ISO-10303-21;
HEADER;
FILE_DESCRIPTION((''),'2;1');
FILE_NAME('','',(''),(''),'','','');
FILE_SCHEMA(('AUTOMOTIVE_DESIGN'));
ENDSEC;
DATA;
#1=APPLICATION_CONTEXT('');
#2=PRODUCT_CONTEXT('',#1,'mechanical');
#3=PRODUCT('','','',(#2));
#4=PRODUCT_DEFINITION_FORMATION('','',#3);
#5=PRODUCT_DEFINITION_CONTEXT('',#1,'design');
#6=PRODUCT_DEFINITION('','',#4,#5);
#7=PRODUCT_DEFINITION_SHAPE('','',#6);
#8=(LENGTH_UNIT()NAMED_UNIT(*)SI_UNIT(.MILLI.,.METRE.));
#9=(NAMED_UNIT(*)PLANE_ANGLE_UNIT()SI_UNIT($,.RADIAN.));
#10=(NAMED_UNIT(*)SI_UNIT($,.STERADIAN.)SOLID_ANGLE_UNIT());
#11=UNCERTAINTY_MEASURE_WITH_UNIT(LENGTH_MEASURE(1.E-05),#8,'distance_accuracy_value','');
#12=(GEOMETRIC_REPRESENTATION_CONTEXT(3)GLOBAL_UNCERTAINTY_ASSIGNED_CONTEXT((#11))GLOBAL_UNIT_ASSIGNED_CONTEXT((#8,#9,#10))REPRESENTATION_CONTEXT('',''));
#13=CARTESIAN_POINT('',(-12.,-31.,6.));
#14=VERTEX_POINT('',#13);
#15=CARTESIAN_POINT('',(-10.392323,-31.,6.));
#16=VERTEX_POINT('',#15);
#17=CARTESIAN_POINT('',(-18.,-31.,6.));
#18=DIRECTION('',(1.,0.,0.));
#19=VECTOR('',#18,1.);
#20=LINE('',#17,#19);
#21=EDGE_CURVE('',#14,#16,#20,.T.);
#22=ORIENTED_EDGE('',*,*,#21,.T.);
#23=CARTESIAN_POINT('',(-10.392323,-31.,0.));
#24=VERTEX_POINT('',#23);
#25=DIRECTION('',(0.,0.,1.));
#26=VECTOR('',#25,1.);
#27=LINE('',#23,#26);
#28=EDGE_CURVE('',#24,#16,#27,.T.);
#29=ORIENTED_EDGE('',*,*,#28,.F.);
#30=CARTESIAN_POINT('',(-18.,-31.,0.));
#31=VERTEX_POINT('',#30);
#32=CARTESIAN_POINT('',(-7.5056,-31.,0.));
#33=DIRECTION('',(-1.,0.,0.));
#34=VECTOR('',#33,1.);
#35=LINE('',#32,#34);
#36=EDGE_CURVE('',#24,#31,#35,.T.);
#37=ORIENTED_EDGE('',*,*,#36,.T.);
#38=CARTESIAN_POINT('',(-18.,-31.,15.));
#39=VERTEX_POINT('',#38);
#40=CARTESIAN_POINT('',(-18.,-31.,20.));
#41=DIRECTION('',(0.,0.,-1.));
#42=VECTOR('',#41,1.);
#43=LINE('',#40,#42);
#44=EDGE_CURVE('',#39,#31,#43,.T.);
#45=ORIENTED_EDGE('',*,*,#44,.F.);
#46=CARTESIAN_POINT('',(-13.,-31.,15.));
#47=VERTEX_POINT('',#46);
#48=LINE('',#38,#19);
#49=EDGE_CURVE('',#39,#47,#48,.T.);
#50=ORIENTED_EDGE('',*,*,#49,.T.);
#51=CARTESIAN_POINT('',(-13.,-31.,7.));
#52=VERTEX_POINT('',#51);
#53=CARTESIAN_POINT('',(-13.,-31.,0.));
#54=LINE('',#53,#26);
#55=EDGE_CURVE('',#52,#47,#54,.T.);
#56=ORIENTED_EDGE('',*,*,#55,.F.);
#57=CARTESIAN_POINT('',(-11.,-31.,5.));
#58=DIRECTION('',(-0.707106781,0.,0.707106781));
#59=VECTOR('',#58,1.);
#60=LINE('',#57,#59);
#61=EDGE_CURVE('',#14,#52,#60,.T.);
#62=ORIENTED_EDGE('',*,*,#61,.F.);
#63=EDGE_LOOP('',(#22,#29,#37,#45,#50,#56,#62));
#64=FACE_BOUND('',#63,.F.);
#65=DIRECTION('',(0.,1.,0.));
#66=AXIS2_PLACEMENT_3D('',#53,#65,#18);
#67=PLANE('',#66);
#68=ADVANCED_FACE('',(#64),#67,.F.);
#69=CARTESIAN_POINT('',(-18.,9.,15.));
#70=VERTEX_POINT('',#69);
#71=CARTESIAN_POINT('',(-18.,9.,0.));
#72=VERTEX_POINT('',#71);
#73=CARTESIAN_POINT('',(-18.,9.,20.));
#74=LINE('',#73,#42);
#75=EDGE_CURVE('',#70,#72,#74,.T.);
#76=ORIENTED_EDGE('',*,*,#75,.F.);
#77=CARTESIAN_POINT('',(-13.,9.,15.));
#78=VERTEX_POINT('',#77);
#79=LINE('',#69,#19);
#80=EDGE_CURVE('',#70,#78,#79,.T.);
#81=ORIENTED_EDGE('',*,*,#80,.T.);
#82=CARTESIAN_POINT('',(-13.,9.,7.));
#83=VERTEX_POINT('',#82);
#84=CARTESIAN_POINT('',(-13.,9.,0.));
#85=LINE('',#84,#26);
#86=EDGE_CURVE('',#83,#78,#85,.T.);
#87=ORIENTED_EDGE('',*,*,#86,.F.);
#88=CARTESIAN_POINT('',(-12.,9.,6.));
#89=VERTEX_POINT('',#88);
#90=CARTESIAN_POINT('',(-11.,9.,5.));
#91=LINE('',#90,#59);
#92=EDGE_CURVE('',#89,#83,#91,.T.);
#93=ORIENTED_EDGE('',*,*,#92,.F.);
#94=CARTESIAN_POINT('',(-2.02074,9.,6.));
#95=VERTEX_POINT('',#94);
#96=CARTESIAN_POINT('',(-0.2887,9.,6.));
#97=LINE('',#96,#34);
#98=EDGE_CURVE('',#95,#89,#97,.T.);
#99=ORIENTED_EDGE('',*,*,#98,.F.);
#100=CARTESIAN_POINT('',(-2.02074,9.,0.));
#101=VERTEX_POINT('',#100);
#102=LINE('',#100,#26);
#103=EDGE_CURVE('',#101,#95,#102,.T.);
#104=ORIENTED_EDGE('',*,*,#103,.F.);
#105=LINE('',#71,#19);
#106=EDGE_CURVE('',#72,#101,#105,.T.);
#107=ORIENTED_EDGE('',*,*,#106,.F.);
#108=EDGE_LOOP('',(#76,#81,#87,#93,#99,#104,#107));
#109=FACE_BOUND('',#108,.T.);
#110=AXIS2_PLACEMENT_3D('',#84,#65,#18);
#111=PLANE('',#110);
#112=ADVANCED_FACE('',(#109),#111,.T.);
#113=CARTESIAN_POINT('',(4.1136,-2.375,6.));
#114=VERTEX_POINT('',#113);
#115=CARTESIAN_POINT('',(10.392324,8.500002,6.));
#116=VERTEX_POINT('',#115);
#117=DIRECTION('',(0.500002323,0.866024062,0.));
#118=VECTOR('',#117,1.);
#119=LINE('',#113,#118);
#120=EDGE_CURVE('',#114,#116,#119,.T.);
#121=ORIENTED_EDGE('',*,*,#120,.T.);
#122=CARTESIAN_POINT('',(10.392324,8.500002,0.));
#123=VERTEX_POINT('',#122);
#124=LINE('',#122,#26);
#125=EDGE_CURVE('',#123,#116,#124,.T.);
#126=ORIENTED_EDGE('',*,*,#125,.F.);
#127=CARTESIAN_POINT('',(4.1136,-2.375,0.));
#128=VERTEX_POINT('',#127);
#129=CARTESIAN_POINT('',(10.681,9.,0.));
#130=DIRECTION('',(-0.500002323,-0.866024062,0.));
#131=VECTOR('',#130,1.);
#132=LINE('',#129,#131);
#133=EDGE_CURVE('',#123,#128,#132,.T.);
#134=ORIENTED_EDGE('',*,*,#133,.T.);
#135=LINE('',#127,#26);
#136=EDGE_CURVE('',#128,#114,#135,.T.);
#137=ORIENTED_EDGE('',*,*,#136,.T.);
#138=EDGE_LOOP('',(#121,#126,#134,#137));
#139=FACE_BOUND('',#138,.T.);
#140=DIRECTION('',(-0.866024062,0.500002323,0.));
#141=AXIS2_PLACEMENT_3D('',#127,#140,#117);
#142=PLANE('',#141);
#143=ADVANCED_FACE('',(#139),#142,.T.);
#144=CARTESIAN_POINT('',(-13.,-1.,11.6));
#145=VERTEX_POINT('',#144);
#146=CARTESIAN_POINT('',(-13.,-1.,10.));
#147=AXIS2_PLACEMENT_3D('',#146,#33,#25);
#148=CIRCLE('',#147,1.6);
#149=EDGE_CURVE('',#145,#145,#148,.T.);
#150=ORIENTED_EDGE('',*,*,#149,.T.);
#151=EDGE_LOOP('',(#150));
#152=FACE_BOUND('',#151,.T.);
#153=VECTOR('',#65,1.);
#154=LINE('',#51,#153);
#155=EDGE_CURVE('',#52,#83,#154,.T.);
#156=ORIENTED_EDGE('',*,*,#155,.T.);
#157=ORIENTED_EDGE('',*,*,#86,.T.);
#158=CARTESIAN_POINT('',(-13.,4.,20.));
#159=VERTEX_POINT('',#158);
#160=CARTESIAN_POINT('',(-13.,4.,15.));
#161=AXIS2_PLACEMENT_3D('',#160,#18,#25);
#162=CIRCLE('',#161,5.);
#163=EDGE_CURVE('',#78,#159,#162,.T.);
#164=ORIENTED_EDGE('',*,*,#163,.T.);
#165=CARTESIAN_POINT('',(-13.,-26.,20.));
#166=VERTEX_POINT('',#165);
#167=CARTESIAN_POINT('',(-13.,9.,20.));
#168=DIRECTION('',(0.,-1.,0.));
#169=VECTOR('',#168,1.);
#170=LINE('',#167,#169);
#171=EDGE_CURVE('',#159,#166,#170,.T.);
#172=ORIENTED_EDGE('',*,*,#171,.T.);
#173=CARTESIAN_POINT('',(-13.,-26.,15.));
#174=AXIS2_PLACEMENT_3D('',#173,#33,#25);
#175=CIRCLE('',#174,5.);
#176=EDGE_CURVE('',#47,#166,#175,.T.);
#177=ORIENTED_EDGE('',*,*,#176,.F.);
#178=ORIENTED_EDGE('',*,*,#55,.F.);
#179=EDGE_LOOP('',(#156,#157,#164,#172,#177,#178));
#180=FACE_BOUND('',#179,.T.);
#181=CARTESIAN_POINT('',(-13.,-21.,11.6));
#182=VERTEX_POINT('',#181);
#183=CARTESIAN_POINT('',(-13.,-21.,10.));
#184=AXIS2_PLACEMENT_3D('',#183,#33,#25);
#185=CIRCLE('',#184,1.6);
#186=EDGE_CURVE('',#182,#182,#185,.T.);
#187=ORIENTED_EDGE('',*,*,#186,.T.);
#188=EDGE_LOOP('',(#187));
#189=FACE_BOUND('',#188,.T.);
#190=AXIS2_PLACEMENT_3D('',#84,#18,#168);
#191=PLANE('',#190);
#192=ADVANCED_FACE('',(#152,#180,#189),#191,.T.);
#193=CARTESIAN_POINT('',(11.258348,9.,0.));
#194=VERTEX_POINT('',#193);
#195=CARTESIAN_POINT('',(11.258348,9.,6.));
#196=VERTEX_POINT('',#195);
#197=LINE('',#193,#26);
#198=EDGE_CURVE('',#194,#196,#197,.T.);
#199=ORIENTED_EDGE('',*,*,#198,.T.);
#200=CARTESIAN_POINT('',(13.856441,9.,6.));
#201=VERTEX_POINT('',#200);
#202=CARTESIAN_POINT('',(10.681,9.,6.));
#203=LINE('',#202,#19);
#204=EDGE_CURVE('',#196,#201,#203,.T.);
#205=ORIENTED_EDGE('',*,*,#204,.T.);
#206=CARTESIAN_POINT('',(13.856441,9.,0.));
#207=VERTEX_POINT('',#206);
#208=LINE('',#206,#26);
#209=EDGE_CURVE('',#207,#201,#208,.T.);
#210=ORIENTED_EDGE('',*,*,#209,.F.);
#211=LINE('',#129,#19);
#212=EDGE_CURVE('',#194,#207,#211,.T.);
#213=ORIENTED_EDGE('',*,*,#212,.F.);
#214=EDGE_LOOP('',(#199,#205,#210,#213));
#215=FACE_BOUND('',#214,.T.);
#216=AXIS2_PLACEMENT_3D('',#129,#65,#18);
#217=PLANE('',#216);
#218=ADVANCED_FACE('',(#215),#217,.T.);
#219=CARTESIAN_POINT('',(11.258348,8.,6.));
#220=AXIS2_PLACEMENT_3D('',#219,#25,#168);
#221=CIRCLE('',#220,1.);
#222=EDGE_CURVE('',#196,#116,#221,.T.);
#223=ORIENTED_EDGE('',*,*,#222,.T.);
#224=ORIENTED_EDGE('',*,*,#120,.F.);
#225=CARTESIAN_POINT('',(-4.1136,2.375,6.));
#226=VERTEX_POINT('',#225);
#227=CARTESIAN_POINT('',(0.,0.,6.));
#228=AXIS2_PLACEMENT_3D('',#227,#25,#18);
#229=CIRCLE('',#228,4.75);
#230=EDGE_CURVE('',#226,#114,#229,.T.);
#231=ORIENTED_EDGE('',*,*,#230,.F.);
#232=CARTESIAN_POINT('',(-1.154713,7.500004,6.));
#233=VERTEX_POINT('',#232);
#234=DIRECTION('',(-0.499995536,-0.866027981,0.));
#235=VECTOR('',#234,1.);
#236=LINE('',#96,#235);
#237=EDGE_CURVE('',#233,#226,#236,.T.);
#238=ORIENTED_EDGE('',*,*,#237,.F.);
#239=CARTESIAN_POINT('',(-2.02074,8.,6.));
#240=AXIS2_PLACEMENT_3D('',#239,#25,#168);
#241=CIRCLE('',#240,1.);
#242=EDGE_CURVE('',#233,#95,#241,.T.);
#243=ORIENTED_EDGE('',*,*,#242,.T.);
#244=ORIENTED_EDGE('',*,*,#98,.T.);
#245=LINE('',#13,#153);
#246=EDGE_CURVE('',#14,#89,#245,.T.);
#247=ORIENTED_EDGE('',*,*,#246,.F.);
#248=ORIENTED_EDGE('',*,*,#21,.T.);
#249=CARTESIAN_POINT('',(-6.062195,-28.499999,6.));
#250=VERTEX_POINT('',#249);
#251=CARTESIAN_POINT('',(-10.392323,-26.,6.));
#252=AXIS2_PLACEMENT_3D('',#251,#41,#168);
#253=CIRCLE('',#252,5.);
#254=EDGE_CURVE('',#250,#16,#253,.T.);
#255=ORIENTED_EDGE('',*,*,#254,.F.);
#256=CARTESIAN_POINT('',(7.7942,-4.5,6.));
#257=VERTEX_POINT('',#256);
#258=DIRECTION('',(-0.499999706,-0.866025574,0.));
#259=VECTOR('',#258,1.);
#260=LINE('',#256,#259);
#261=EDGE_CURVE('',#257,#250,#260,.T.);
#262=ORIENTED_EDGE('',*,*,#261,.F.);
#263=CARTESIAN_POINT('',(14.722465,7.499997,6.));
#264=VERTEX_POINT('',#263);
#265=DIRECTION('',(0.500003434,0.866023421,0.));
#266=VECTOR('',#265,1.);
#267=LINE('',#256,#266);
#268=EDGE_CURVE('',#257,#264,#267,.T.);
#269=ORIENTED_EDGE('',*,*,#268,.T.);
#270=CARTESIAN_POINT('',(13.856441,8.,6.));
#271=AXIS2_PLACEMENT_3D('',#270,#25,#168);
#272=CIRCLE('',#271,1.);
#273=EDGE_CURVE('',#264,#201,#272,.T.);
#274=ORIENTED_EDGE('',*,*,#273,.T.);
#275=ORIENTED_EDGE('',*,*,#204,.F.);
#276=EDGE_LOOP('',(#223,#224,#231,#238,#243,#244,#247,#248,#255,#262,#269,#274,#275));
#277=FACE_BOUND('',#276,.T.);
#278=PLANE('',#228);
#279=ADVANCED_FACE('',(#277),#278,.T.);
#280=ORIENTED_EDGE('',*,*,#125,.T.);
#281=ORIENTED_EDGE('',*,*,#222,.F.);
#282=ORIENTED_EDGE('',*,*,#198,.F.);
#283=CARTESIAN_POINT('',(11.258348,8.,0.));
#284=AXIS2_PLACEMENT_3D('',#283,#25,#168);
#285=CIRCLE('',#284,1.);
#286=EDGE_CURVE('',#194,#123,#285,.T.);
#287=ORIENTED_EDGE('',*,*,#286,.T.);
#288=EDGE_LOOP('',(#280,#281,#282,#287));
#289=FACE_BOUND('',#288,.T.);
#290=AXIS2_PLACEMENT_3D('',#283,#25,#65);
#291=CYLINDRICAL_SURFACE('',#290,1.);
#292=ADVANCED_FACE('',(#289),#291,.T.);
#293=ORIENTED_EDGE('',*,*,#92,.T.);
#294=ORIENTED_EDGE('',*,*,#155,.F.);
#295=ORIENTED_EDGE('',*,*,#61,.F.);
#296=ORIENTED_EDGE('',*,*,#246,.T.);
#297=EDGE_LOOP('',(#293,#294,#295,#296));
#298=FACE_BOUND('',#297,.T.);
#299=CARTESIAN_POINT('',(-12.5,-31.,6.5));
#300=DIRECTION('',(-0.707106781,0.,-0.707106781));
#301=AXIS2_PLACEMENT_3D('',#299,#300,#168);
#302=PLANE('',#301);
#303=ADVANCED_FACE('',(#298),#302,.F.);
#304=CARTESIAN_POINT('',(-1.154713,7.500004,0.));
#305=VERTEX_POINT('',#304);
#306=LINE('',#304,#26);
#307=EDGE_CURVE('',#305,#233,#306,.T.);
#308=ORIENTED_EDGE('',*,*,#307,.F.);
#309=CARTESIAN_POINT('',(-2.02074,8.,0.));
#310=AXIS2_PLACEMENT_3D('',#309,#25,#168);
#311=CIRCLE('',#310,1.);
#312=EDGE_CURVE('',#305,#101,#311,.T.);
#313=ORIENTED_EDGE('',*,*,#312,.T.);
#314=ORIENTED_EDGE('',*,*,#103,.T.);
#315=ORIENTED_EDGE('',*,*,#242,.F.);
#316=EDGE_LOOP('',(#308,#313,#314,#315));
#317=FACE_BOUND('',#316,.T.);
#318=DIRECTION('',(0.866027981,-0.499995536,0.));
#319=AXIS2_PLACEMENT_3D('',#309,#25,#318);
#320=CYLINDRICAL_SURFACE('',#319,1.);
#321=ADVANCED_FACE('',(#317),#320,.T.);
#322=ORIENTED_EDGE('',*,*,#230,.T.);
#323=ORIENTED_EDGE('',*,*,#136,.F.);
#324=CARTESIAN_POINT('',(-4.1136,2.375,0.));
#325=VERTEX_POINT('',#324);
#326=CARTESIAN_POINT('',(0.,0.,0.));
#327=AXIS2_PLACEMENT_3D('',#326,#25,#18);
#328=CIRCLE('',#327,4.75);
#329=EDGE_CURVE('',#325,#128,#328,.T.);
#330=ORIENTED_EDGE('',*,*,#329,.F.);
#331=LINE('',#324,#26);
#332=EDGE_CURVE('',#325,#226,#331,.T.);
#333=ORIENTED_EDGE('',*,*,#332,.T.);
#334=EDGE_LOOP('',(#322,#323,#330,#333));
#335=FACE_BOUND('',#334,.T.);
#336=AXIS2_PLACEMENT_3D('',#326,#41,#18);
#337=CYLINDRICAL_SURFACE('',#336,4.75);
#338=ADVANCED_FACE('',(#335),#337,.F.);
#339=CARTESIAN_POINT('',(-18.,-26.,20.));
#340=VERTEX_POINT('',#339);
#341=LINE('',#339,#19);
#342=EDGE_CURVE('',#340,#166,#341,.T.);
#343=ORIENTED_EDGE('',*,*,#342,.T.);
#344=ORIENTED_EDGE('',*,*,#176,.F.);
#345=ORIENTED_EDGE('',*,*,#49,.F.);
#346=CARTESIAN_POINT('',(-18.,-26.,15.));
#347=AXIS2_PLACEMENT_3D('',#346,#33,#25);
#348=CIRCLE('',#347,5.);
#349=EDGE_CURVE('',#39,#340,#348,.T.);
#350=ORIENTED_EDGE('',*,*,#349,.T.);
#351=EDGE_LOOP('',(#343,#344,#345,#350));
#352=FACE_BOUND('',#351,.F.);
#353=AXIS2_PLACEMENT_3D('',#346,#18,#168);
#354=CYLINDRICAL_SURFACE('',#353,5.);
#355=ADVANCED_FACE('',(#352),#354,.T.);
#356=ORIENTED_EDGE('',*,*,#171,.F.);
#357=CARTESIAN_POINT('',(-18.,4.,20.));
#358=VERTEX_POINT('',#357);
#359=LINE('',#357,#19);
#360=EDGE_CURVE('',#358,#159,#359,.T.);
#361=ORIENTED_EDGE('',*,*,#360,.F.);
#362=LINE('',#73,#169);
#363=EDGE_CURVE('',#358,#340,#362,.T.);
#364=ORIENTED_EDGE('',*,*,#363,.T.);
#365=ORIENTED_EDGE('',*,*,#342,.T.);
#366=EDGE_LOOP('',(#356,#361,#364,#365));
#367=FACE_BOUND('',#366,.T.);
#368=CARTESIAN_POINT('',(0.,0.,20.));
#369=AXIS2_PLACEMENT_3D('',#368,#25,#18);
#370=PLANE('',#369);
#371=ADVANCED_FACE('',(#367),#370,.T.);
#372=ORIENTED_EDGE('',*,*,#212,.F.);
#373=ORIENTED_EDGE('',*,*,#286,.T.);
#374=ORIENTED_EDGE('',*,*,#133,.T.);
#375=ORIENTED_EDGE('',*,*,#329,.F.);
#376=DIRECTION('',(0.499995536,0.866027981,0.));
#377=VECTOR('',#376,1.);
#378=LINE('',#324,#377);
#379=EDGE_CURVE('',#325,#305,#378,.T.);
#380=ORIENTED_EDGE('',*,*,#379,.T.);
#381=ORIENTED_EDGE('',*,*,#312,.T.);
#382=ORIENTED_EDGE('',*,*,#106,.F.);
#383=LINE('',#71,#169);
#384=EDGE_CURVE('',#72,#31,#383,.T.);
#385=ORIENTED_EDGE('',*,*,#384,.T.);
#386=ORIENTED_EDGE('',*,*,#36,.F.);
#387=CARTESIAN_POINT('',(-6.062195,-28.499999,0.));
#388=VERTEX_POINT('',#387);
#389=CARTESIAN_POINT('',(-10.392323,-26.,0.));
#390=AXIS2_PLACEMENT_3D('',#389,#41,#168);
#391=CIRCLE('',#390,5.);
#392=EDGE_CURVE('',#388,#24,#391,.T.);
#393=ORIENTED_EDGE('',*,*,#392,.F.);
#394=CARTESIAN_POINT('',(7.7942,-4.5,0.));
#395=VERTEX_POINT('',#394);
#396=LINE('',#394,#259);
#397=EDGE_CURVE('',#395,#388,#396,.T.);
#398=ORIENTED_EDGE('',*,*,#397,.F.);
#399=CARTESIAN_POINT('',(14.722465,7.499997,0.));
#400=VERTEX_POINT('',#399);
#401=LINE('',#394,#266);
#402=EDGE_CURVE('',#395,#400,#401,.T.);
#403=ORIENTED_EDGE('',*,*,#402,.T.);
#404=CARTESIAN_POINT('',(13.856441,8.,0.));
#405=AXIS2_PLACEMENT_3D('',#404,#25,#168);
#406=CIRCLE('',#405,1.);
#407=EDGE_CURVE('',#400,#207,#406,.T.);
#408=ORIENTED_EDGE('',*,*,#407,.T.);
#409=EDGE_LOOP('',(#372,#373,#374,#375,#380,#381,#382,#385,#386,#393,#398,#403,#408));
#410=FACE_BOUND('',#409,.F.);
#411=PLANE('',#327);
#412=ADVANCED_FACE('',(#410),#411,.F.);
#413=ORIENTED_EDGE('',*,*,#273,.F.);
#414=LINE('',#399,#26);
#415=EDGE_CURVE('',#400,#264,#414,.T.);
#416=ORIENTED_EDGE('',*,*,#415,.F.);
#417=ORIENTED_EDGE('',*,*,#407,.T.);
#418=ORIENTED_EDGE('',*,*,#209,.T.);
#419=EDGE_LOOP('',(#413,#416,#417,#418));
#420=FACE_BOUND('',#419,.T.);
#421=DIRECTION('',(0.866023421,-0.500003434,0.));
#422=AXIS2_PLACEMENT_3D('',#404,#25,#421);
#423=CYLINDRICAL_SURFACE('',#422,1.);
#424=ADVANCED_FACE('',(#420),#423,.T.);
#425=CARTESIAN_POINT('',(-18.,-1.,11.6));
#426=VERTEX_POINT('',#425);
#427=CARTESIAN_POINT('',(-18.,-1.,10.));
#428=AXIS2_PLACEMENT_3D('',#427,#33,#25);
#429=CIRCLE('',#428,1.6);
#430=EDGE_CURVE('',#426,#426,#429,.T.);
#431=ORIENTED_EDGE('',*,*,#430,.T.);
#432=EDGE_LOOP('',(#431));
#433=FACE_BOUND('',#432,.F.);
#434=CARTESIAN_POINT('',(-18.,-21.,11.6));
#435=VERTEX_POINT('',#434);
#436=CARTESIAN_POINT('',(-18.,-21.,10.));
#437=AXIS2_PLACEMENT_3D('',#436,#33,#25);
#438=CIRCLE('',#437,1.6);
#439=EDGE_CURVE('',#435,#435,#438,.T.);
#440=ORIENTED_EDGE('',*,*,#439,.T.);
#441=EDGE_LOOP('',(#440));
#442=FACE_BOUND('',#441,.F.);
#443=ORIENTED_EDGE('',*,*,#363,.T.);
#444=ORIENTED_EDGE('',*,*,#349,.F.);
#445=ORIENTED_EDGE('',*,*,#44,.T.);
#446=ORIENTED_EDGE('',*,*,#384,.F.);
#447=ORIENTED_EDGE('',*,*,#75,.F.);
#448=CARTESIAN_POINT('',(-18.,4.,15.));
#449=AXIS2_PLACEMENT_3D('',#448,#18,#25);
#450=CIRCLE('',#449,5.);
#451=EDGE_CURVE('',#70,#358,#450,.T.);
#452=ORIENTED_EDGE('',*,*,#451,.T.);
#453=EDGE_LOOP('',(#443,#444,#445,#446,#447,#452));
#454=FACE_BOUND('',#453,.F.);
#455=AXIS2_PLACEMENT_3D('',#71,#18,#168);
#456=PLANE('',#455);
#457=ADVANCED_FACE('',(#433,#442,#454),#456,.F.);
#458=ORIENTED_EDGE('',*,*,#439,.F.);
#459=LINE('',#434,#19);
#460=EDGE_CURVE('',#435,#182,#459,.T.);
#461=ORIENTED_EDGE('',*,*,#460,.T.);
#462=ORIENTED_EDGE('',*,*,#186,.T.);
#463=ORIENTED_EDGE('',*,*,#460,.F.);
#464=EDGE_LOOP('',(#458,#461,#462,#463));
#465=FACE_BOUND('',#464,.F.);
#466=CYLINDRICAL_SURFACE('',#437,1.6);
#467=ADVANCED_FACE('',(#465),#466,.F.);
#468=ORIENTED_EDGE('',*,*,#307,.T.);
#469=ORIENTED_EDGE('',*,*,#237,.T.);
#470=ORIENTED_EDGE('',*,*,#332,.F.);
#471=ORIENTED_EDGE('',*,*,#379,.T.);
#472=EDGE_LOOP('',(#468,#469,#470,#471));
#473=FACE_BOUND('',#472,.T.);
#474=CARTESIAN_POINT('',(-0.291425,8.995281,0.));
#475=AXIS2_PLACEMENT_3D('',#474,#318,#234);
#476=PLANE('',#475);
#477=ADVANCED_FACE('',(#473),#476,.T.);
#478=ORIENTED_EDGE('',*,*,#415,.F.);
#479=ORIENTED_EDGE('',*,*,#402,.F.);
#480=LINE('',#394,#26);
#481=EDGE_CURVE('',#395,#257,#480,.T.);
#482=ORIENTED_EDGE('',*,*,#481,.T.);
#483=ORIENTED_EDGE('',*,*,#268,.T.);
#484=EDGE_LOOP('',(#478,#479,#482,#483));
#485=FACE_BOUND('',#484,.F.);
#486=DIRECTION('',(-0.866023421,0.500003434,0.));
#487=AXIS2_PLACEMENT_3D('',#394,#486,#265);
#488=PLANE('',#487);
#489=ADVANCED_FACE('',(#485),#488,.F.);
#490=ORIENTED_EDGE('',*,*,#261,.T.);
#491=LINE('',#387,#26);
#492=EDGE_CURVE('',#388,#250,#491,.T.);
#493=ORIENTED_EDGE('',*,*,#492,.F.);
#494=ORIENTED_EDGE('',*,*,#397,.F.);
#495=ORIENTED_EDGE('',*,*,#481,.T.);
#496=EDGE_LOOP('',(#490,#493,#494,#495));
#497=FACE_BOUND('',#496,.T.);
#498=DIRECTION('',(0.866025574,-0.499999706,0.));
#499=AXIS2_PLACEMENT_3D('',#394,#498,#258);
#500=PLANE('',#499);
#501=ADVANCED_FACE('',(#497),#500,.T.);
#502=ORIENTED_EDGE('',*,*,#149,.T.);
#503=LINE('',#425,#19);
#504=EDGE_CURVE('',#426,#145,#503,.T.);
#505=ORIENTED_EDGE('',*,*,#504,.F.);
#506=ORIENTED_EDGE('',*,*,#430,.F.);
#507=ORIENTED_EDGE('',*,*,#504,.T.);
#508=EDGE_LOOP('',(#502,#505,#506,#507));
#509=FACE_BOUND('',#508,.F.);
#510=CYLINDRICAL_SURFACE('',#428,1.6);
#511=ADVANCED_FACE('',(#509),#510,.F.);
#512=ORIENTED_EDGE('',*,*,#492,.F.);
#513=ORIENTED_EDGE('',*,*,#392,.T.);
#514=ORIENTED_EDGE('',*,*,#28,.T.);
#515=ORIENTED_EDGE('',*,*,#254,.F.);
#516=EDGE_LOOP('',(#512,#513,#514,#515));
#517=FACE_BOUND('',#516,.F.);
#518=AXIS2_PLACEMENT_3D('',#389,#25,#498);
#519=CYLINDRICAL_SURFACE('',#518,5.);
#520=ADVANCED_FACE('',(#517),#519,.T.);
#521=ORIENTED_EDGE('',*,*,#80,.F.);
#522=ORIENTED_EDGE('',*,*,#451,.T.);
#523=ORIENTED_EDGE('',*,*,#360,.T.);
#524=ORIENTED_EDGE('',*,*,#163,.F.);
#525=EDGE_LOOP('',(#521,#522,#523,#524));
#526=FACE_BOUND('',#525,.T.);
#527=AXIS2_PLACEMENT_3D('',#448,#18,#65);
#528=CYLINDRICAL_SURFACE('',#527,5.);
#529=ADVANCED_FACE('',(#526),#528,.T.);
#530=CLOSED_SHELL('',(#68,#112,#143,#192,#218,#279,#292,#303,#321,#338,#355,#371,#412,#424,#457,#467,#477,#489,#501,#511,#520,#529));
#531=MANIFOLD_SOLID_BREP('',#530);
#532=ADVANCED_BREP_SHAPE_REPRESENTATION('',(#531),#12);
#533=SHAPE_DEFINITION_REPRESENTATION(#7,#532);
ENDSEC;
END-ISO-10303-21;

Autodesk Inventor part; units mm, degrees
ref_plane "YZ Plane" through (0, 0, 0) normal (1, 0, 0) x (0, 1, 0)
ref_plane "XZ Plane" through (0, 0, 0) normal (0, 1, 0) x (-1, 0, 0)
ref_plane "XY Plane" through (0, 0, 0) normal (0, 0, 1) x (1, 0, 0)
sketch "Sketch1" plane through (0, 0, 0) normal (0, 0, 1) x (1, 0, 0)
  circle A0 centre (0, 0) radius 4.75
  circle A1 centre (0, 0) radius 9
  line L0 (-18, 9) -> (-18, -49.1769)
  line L1 (-18, 9) -> (10.681, 9)
  line L2 (4.1136, -2.375) -> (10.681, 9)
  line L3 (-0.2887, 9) -> (-4.1136, 2.375)
  line L4 (10.681, 9) -> (15.5885, 9)
  line L5 (4.1136, -2.375) -> (7.7942, -4.5) construction
  line L6 (7.7942, -4.5) -> (15.5885, 9)
  line L7 (7.7942, -4.5) -> (-18, -49.1769)
  line L8 (-18, -31) -> (-7.5056, -31)
  line L9 (-13, 9) -> (-13, -31)
  dimension "d1" = 18
  dimension "d0" = 9.5
  dimension "d2" = 18
  dimension "d5" = 120
  dimension "d7" = 60
  dimension "d8" = 40
  dimension "d9" = 5
extrude "Extrusion1" add sketch "Sketch1" along normal blind 6 contours A0 L2 A1 L3 | A1 L7 L8 L9 L1 L3 | L2 L4 L6 A1 | L9 L8 L0 L1 picked at (-2.2884, 6.6758)
extrude "Extrusion2" add sketch "Sketch1" along normal blind 20 contours L9 L8 L0 L1
sketch "Sketch2" plane through (-18, -31, 0) normal (-1, 0, 0) x (0, 0, 1)
  line L0 (0, 40) -> (0, 0) projected
  line L1 (0, 0) -> (20, 0) projected
  line L2 (20, 40) -> (20, 0) projected
  line L3 (0, 40) -> (20, 40) projected
  circle A0 centre (10, 30) radius 1.6
  circle A1 centre (10, 10) radius 1.6
  point P0 (0, 31)
  dimension "d14" = 3.2
  dimension "d15" = 3.2
  dimension "d16" = 10
  dimension "d17" = 10
  dimension "d18" = 10
extrude "Extrusion3" cut sketch "Sketch2" against normal blind 6 contours A0 | A1
fillet "Fillet1" radius 1 3 edges at (15.5885, 9, 3) (10.681, 9, 3) (-0.2887, 9, 3)
fillet "Fillet2" radius 5 3 edges at (-7.5056, -31, 3) (-15.5, -31, 20) (-15.5, 9, 20)
chamfer "Chamfer1" distance 1 angle 45 1 edges at (-13, -11, 6)
properties part number "wheel holder"
